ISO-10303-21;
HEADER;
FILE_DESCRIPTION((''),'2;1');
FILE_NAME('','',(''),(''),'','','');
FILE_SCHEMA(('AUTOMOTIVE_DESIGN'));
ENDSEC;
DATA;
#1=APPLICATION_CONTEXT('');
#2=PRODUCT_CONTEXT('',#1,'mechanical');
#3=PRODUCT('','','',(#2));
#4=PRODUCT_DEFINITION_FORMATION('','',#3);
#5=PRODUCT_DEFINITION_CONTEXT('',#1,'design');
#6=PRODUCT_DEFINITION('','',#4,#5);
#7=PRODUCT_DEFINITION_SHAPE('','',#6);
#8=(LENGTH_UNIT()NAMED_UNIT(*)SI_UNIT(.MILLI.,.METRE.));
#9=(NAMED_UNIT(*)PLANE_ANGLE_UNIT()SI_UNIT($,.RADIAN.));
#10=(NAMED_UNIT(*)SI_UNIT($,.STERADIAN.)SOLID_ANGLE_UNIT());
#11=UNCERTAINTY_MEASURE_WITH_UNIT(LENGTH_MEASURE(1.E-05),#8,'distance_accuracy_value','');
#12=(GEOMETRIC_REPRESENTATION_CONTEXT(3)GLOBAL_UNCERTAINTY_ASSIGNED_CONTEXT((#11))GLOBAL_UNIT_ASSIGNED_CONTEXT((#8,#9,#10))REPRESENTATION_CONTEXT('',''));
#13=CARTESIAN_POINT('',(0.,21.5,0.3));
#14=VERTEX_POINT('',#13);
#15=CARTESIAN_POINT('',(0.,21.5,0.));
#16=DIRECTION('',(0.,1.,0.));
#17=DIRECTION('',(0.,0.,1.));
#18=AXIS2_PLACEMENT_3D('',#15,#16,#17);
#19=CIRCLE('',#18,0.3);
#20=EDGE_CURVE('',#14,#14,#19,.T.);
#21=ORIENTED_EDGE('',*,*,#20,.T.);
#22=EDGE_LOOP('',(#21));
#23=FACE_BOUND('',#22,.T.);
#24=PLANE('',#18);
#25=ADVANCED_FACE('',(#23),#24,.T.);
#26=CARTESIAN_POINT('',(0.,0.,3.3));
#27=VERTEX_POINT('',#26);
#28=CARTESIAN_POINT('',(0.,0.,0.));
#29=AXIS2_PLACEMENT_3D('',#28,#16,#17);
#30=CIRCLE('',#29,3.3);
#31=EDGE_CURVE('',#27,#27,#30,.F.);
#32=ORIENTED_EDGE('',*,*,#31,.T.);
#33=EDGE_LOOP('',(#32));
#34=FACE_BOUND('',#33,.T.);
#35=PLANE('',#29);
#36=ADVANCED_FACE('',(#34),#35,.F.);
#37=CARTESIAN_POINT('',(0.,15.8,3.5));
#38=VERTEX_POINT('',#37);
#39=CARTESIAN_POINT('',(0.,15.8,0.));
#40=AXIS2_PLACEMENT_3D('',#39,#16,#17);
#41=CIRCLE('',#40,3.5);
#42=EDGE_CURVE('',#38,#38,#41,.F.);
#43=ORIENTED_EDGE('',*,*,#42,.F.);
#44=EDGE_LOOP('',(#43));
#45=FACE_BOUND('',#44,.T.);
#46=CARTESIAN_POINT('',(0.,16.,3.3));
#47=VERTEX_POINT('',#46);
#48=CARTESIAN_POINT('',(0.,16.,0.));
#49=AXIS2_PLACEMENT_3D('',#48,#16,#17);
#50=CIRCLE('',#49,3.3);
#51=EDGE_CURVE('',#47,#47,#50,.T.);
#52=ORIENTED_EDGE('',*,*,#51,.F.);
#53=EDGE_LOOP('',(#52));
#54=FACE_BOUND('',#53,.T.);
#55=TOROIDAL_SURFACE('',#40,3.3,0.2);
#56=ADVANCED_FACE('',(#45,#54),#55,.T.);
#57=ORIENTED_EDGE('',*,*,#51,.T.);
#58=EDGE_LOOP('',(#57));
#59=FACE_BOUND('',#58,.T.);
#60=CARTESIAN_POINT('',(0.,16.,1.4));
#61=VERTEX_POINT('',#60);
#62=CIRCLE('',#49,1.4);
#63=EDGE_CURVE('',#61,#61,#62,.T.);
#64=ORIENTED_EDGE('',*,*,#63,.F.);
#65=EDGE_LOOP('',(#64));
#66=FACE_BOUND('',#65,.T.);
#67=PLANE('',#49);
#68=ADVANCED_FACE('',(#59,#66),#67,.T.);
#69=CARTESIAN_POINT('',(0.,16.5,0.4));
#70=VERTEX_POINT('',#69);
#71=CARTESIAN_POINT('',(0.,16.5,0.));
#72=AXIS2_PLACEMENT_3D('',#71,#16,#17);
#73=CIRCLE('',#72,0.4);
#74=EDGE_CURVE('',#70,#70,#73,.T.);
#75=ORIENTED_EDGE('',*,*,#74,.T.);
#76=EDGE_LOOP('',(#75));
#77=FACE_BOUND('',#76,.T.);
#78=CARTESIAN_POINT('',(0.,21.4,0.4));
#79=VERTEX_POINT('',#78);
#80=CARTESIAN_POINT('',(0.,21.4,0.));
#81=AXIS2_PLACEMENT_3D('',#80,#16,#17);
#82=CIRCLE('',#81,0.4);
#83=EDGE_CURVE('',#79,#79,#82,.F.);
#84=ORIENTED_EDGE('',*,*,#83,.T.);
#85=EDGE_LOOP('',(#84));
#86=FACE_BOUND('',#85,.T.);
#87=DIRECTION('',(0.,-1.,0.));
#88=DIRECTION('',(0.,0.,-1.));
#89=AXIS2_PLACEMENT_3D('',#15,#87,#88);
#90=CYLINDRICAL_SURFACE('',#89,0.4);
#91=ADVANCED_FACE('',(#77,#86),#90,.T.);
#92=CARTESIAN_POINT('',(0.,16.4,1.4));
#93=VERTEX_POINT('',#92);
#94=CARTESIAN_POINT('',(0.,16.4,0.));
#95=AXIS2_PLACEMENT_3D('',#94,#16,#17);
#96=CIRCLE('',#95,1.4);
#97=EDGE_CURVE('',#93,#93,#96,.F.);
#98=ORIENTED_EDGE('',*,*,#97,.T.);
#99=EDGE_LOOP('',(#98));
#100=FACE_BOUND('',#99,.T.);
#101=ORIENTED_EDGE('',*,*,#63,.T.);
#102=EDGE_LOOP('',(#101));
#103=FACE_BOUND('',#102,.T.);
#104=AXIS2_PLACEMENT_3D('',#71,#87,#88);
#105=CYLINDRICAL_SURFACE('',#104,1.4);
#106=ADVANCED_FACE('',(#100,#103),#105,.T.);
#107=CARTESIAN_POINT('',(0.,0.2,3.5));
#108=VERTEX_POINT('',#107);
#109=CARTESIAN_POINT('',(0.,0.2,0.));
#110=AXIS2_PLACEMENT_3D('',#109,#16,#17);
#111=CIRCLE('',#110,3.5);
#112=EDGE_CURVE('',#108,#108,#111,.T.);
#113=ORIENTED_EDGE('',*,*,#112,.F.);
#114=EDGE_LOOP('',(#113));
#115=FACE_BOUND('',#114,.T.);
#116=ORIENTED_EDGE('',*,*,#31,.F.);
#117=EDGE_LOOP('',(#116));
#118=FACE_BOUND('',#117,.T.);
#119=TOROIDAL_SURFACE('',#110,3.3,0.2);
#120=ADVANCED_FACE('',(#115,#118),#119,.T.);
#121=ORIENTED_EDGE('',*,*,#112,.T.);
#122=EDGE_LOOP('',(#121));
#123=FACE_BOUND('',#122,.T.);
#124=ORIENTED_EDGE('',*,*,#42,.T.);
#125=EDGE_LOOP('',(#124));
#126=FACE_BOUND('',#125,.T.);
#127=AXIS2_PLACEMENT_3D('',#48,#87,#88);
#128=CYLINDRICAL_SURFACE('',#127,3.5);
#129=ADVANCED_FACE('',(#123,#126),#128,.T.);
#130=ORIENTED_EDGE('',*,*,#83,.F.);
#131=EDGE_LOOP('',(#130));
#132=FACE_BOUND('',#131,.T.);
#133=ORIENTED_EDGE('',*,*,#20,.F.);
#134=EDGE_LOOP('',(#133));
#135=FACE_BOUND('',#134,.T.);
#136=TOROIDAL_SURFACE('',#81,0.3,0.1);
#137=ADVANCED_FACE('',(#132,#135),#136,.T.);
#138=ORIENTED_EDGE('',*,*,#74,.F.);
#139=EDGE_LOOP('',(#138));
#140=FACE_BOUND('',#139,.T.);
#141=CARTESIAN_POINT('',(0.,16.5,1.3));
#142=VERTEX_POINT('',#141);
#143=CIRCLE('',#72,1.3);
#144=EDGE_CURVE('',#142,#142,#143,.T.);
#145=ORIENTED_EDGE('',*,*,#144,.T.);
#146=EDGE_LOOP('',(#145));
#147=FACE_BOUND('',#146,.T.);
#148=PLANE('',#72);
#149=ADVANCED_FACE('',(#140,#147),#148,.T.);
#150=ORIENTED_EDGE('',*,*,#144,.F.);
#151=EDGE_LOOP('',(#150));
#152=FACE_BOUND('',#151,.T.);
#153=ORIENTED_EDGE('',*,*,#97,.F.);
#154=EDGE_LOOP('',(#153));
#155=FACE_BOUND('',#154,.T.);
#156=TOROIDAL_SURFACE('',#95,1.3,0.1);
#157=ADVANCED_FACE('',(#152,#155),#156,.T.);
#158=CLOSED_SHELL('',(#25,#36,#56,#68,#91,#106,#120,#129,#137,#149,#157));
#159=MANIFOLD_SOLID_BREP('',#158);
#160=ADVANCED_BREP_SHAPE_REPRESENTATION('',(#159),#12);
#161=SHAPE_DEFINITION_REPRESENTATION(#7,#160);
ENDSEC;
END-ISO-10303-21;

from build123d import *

# Parameters (mm, degrees)
SKETCH1_R           = 3.5
BOSS_EXTRUDE1_DEPTH = 16
SKETCH4_R           = 1.4
BOSS_EXTRUDE2_DEPTH = 0.5
SKETCH5_R           = 0.4
BOSS_EXTRUDE3_DEPTH = 5
FILLET1_R           = 0.1
FILLET2_R           = 0.2
FILLET3_R           = 0.2
FILLET4_R           = 0.1


with BuildPart() as part:
    # Sketch1 → Boss-Extrude1 (new body)
    with BuildSketch(Plane(origin=(0, 0, 0), x_dir=(1, 0, 0), z_dir=(0, 1, 0))):
        with Locations(Location((0, 0, 0), (0, 0, 270))):
            Circle(SKETCH1_R)
    extrude(amount=BOSS_EXTRUDE1_DEPTH)

    # Sketch4 → Boss-Extrude2 (add)
    with BuildSketch(Plane(origin=(0, 16, 0), x_dir=(1, 0, 0), z_dir=(0, 1, 0))):
        with Locations(Location((0, 0, 0), (0, 0, 270))):
            Circle(SKETCH4_R)
    extrude(amount=BOSS_EXTRUDE2_DEPTH)

    # Sketch5 → Boss-Extrude3 (add)
    with BuildSketch(Plane(origin=(0, 16.5, 0), x_dir=(1, 0, 0), z_dir=(0, 1, 0))):
        with Locations(Location((0, 0, 0), (0, 0, 270))):
            Circle(SKETCH5_R)
    extrude(amount=BOSS_EXTRUDE3_DEPTH)

    # Fillet1
    fillet1_edges = [part.edges().sort_by_distance(p)[0] for p in [
        (0, 21.5, -0.4),
    ]]
    fillet(fillet1_edges, radius=FILLET1_R)

    # Fillet2
    fillet2_edges = [part.edges().sort_by_distance(p)[0] for p in [
        (0, 16, -3.5),
    ]]
    fillet(fillet2_edges, radius=FILLET2_R)

    # Fillet3
    fillet3_edges = [part.edges().sort_by_distance(p)[0] for p in [
        (0, 0, -3.5),
    ]]
    fillet(fillet3_edges, radius=FILLET3_R)

    # Fillet4
    fillet4_edges = [part.edges().sort_by_distance(p)[0] for p in [
        (0, 16.5, -1.4),
    ]]
    fillet(fillet4_edges, radius=FILLET4_R)


solid = part.part
